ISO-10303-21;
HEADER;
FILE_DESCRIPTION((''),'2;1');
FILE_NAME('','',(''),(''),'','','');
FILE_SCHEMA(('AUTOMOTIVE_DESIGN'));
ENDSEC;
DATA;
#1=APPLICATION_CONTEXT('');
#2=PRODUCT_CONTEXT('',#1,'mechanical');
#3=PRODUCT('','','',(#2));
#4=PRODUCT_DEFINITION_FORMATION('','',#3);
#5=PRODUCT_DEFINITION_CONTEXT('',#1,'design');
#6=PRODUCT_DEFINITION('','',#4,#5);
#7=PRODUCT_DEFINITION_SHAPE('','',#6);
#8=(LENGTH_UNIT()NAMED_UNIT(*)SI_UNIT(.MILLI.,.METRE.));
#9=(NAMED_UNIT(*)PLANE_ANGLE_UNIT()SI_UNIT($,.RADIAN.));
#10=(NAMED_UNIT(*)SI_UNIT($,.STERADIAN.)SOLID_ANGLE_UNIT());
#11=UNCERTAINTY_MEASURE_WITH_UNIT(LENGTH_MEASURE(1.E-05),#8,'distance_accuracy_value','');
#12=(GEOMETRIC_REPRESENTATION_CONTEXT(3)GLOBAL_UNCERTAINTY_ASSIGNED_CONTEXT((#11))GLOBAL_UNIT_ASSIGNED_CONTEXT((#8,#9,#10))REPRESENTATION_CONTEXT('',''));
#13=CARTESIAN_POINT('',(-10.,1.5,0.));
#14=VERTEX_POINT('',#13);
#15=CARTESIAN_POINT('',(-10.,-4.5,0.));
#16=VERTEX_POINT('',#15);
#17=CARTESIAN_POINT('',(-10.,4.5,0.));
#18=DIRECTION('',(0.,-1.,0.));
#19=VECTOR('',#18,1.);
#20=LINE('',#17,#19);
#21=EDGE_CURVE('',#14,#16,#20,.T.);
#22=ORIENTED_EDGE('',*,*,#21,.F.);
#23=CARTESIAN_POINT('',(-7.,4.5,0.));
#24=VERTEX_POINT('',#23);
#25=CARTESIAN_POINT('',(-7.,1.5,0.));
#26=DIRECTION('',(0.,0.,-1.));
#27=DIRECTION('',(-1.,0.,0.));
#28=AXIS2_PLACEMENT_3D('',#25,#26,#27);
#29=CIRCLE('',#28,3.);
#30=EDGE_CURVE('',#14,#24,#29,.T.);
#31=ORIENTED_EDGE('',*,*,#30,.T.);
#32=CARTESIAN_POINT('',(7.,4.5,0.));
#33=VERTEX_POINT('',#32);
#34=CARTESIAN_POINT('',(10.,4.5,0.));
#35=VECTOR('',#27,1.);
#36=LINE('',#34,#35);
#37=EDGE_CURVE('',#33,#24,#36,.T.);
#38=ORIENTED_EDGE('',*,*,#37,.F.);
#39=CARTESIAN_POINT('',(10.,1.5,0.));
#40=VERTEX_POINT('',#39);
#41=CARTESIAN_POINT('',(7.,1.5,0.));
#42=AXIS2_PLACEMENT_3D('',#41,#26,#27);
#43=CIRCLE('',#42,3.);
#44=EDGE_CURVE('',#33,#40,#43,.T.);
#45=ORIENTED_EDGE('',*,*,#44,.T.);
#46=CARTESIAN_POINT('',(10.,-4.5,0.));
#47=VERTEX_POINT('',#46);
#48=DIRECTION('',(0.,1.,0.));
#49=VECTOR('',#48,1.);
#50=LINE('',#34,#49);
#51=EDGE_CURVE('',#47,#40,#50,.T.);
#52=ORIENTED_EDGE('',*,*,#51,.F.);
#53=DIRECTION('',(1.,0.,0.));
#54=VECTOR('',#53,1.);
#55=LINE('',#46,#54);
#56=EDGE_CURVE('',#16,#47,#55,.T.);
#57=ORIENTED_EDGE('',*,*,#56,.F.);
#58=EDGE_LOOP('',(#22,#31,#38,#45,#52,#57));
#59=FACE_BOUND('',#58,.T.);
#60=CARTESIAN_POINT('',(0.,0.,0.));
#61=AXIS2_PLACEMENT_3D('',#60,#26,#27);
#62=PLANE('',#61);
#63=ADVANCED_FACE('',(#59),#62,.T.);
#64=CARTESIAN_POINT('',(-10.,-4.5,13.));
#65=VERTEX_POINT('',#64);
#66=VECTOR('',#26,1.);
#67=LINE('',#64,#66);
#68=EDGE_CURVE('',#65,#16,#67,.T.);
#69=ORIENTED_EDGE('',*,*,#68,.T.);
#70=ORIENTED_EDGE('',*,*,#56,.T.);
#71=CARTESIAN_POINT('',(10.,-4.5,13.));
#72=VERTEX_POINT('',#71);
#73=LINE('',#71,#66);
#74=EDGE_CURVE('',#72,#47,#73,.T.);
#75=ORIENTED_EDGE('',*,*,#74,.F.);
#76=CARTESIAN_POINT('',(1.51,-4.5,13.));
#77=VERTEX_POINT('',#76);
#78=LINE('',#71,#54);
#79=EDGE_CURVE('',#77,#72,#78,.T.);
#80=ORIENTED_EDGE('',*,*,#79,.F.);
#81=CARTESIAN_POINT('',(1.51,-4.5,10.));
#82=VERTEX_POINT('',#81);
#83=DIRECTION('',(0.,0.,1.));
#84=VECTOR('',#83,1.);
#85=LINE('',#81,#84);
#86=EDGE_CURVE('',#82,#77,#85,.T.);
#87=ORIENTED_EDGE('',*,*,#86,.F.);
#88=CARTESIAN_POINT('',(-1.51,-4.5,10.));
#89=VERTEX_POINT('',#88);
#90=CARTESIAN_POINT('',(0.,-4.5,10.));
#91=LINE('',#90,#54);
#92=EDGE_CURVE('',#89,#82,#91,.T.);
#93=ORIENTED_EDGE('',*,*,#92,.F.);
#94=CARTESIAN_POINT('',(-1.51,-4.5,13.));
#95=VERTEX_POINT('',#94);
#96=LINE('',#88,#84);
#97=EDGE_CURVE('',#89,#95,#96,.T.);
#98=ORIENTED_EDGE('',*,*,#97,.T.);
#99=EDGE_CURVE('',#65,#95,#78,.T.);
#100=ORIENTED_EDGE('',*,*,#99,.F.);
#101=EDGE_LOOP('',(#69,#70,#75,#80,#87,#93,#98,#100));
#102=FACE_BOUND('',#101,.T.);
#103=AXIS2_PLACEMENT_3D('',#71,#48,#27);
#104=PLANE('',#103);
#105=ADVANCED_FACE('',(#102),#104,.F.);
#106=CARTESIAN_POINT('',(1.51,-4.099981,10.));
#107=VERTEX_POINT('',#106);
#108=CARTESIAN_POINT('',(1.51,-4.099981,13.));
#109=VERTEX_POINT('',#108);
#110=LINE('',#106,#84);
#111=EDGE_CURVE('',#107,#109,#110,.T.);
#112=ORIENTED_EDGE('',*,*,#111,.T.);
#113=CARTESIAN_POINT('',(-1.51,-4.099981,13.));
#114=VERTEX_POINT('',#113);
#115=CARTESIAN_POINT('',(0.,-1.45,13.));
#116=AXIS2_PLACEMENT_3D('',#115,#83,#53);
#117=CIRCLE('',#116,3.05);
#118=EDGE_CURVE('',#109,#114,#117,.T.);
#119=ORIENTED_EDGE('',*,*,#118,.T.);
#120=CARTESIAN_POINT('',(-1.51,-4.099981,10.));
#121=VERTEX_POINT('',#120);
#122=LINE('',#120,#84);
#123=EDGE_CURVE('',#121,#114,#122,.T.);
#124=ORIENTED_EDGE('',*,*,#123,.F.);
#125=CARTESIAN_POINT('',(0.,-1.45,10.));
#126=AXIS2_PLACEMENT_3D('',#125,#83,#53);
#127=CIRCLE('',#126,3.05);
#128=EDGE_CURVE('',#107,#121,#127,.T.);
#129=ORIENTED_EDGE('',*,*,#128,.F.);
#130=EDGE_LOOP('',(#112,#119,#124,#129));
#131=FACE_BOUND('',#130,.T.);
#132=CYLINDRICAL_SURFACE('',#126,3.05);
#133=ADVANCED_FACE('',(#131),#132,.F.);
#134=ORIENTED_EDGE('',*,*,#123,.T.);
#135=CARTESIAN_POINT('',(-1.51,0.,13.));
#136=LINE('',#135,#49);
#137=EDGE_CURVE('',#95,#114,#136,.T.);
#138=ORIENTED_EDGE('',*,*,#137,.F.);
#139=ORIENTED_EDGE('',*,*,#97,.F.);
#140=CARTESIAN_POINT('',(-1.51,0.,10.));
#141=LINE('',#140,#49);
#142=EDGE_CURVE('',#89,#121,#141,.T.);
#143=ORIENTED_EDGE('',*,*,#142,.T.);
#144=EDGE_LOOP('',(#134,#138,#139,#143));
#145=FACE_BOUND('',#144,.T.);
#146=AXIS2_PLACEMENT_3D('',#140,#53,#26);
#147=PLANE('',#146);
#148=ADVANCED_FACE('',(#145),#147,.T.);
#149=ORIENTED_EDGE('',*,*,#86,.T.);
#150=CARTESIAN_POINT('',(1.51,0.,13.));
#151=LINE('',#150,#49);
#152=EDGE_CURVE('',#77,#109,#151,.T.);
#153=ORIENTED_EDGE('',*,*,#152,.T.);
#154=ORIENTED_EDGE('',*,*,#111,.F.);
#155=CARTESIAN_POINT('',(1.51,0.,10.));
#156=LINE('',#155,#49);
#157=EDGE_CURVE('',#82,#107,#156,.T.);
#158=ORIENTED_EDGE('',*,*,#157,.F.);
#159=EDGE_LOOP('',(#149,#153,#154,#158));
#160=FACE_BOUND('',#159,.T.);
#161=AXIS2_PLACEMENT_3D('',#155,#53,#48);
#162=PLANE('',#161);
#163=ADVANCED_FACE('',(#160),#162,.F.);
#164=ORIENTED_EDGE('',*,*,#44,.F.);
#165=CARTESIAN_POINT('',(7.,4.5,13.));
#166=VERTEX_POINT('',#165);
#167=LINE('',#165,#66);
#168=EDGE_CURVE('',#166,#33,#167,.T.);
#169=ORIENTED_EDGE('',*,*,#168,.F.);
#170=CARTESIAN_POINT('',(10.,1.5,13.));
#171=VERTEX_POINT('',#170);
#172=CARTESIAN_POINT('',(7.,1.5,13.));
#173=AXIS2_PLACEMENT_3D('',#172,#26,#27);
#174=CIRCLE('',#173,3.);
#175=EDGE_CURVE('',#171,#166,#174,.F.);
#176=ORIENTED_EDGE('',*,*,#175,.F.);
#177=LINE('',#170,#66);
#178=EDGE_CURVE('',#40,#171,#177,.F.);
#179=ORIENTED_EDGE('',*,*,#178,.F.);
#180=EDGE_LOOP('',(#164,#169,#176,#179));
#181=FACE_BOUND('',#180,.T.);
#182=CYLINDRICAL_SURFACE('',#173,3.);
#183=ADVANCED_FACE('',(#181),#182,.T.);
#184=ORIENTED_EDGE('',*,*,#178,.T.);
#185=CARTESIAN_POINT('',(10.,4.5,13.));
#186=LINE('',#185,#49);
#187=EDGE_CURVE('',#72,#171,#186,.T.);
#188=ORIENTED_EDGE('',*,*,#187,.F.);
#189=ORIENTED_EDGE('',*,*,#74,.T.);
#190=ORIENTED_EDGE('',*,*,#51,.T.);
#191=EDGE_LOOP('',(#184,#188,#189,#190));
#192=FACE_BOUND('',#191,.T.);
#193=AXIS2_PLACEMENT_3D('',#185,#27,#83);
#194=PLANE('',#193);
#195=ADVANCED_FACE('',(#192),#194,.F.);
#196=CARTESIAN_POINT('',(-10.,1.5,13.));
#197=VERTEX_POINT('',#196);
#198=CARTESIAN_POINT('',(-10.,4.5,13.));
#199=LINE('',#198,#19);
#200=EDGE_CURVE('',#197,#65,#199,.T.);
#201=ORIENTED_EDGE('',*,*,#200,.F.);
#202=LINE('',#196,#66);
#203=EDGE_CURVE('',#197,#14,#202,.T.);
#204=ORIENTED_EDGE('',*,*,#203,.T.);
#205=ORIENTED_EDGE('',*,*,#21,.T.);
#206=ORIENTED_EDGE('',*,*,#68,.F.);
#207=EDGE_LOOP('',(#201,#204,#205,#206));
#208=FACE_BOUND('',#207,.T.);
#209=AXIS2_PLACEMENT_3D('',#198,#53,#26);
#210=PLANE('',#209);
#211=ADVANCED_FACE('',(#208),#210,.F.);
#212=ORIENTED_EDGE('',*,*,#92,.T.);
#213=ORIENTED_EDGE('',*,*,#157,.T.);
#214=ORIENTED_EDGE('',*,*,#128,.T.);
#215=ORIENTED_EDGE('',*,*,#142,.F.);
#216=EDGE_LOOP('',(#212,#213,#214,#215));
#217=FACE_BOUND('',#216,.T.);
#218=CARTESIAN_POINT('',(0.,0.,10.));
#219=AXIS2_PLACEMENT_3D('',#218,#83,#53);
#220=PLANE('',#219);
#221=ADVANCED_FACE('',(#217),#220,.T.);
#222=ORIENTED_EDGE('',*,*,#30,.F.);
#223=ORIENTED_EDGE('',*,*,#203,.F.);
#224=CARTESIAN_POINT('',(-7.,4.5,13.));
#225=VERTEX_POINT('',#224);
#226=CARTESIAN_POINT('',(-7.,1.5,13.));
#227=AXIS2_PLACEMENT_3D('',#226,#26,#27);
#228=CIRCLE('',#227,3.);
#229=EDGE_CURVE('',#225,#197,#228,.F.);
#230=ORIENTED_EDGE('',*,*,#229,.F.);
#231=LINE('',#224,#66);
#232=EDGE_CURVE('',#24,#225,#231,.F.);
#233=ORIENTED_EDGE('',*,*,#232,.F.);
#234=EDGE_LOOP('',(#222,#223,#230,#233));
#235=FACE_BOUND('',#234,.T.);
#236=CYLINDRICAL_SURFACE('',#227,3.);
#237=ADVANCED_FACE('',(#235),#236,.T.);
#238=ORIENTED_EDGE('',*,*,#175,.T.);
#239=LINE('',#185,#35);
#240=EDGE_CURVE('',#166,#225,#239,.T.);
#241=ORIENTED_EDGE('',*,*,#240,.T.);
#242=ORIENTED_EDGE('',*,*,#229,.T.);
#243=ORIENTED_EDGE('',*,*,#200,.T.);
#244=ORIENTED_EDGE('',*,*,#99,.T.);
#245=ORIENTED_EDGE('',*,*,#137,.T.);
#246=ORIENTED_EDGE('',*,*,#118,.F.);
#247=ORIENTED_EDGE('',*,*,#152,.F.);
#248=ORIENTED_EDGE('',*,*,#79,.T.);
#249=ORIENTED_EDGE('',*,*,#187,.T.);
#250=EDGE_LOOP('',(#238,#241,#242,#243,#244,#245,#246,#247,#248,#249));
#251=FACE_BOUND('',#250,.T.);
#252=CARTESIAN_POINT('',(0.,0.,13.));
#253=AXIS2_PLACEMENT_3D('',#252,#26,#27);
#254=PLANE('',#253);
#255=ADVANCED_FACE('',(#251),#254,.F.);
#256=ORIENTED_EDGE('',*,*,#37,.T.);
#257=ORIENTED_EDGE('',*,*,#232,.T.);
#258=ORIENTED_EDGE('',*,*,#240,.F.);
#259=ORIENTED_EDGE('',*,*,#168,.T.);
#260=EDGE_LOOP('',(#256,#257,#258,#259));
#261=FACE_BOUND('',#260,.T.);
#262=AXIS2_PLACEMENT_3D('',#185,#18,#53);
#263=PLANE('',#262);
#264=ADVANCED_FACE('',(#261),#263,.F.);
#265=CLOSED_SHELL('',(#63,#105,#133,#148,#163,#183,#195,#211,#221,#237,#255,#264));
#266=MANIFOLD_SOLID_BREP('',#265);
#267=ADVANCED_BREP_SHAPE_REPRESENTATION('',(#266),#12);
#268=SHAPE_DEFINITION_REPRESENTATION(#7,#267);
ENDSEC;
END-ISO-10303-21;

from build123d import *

# Parameters (mm, degrees)
SKETCH1_W           = 20
SKETCH1_H           = 9
BOSS_EXTRUDE1_DEPTH = 13
CUT_EXTRUDE1_DEPTH  = 3
FILLET1_R           = 3


with BuildPart() as part:
    # Sketch1 → Boss-Extrude1 (new body)
    with BuildSketch(Plane.XY):
        Rectangle(SKETCH1_W, SKETCH1_H)
    extrude(amount=BOSS_EXTRUDE1_DEPTH)

    # Sketch2 → Cut-Extrude1 (cut)
    with BuildSketch(Plane.XY.offset(13)):
        with BuildLine():
            Line((1.51, -4.5), (1.51, -4.099981132))
            ThreePointArc((1.51, -4.099981132), (0, 1.6), (-1.51, -4.099981132))
            Line((-1.51, -4.099981132), (-1.51, -4.5))
            Line((-1.51, -4.5), (1.51, -4.5))
        make_face()
    extrude(amount=-CUT_EXTRUDE1_DEPTH, mode=Mode.SUBTRACT)

    # Fillet1
    fillet1_edges = [part.edges().sort_by_distance(p)[0] for p in [
        (-10, 4.5, 6.5),
        (10, 4.5, 6.5),
    ]]
    fillet(fillet1_edges, radius=FILLET1_R)


solid = part.part
